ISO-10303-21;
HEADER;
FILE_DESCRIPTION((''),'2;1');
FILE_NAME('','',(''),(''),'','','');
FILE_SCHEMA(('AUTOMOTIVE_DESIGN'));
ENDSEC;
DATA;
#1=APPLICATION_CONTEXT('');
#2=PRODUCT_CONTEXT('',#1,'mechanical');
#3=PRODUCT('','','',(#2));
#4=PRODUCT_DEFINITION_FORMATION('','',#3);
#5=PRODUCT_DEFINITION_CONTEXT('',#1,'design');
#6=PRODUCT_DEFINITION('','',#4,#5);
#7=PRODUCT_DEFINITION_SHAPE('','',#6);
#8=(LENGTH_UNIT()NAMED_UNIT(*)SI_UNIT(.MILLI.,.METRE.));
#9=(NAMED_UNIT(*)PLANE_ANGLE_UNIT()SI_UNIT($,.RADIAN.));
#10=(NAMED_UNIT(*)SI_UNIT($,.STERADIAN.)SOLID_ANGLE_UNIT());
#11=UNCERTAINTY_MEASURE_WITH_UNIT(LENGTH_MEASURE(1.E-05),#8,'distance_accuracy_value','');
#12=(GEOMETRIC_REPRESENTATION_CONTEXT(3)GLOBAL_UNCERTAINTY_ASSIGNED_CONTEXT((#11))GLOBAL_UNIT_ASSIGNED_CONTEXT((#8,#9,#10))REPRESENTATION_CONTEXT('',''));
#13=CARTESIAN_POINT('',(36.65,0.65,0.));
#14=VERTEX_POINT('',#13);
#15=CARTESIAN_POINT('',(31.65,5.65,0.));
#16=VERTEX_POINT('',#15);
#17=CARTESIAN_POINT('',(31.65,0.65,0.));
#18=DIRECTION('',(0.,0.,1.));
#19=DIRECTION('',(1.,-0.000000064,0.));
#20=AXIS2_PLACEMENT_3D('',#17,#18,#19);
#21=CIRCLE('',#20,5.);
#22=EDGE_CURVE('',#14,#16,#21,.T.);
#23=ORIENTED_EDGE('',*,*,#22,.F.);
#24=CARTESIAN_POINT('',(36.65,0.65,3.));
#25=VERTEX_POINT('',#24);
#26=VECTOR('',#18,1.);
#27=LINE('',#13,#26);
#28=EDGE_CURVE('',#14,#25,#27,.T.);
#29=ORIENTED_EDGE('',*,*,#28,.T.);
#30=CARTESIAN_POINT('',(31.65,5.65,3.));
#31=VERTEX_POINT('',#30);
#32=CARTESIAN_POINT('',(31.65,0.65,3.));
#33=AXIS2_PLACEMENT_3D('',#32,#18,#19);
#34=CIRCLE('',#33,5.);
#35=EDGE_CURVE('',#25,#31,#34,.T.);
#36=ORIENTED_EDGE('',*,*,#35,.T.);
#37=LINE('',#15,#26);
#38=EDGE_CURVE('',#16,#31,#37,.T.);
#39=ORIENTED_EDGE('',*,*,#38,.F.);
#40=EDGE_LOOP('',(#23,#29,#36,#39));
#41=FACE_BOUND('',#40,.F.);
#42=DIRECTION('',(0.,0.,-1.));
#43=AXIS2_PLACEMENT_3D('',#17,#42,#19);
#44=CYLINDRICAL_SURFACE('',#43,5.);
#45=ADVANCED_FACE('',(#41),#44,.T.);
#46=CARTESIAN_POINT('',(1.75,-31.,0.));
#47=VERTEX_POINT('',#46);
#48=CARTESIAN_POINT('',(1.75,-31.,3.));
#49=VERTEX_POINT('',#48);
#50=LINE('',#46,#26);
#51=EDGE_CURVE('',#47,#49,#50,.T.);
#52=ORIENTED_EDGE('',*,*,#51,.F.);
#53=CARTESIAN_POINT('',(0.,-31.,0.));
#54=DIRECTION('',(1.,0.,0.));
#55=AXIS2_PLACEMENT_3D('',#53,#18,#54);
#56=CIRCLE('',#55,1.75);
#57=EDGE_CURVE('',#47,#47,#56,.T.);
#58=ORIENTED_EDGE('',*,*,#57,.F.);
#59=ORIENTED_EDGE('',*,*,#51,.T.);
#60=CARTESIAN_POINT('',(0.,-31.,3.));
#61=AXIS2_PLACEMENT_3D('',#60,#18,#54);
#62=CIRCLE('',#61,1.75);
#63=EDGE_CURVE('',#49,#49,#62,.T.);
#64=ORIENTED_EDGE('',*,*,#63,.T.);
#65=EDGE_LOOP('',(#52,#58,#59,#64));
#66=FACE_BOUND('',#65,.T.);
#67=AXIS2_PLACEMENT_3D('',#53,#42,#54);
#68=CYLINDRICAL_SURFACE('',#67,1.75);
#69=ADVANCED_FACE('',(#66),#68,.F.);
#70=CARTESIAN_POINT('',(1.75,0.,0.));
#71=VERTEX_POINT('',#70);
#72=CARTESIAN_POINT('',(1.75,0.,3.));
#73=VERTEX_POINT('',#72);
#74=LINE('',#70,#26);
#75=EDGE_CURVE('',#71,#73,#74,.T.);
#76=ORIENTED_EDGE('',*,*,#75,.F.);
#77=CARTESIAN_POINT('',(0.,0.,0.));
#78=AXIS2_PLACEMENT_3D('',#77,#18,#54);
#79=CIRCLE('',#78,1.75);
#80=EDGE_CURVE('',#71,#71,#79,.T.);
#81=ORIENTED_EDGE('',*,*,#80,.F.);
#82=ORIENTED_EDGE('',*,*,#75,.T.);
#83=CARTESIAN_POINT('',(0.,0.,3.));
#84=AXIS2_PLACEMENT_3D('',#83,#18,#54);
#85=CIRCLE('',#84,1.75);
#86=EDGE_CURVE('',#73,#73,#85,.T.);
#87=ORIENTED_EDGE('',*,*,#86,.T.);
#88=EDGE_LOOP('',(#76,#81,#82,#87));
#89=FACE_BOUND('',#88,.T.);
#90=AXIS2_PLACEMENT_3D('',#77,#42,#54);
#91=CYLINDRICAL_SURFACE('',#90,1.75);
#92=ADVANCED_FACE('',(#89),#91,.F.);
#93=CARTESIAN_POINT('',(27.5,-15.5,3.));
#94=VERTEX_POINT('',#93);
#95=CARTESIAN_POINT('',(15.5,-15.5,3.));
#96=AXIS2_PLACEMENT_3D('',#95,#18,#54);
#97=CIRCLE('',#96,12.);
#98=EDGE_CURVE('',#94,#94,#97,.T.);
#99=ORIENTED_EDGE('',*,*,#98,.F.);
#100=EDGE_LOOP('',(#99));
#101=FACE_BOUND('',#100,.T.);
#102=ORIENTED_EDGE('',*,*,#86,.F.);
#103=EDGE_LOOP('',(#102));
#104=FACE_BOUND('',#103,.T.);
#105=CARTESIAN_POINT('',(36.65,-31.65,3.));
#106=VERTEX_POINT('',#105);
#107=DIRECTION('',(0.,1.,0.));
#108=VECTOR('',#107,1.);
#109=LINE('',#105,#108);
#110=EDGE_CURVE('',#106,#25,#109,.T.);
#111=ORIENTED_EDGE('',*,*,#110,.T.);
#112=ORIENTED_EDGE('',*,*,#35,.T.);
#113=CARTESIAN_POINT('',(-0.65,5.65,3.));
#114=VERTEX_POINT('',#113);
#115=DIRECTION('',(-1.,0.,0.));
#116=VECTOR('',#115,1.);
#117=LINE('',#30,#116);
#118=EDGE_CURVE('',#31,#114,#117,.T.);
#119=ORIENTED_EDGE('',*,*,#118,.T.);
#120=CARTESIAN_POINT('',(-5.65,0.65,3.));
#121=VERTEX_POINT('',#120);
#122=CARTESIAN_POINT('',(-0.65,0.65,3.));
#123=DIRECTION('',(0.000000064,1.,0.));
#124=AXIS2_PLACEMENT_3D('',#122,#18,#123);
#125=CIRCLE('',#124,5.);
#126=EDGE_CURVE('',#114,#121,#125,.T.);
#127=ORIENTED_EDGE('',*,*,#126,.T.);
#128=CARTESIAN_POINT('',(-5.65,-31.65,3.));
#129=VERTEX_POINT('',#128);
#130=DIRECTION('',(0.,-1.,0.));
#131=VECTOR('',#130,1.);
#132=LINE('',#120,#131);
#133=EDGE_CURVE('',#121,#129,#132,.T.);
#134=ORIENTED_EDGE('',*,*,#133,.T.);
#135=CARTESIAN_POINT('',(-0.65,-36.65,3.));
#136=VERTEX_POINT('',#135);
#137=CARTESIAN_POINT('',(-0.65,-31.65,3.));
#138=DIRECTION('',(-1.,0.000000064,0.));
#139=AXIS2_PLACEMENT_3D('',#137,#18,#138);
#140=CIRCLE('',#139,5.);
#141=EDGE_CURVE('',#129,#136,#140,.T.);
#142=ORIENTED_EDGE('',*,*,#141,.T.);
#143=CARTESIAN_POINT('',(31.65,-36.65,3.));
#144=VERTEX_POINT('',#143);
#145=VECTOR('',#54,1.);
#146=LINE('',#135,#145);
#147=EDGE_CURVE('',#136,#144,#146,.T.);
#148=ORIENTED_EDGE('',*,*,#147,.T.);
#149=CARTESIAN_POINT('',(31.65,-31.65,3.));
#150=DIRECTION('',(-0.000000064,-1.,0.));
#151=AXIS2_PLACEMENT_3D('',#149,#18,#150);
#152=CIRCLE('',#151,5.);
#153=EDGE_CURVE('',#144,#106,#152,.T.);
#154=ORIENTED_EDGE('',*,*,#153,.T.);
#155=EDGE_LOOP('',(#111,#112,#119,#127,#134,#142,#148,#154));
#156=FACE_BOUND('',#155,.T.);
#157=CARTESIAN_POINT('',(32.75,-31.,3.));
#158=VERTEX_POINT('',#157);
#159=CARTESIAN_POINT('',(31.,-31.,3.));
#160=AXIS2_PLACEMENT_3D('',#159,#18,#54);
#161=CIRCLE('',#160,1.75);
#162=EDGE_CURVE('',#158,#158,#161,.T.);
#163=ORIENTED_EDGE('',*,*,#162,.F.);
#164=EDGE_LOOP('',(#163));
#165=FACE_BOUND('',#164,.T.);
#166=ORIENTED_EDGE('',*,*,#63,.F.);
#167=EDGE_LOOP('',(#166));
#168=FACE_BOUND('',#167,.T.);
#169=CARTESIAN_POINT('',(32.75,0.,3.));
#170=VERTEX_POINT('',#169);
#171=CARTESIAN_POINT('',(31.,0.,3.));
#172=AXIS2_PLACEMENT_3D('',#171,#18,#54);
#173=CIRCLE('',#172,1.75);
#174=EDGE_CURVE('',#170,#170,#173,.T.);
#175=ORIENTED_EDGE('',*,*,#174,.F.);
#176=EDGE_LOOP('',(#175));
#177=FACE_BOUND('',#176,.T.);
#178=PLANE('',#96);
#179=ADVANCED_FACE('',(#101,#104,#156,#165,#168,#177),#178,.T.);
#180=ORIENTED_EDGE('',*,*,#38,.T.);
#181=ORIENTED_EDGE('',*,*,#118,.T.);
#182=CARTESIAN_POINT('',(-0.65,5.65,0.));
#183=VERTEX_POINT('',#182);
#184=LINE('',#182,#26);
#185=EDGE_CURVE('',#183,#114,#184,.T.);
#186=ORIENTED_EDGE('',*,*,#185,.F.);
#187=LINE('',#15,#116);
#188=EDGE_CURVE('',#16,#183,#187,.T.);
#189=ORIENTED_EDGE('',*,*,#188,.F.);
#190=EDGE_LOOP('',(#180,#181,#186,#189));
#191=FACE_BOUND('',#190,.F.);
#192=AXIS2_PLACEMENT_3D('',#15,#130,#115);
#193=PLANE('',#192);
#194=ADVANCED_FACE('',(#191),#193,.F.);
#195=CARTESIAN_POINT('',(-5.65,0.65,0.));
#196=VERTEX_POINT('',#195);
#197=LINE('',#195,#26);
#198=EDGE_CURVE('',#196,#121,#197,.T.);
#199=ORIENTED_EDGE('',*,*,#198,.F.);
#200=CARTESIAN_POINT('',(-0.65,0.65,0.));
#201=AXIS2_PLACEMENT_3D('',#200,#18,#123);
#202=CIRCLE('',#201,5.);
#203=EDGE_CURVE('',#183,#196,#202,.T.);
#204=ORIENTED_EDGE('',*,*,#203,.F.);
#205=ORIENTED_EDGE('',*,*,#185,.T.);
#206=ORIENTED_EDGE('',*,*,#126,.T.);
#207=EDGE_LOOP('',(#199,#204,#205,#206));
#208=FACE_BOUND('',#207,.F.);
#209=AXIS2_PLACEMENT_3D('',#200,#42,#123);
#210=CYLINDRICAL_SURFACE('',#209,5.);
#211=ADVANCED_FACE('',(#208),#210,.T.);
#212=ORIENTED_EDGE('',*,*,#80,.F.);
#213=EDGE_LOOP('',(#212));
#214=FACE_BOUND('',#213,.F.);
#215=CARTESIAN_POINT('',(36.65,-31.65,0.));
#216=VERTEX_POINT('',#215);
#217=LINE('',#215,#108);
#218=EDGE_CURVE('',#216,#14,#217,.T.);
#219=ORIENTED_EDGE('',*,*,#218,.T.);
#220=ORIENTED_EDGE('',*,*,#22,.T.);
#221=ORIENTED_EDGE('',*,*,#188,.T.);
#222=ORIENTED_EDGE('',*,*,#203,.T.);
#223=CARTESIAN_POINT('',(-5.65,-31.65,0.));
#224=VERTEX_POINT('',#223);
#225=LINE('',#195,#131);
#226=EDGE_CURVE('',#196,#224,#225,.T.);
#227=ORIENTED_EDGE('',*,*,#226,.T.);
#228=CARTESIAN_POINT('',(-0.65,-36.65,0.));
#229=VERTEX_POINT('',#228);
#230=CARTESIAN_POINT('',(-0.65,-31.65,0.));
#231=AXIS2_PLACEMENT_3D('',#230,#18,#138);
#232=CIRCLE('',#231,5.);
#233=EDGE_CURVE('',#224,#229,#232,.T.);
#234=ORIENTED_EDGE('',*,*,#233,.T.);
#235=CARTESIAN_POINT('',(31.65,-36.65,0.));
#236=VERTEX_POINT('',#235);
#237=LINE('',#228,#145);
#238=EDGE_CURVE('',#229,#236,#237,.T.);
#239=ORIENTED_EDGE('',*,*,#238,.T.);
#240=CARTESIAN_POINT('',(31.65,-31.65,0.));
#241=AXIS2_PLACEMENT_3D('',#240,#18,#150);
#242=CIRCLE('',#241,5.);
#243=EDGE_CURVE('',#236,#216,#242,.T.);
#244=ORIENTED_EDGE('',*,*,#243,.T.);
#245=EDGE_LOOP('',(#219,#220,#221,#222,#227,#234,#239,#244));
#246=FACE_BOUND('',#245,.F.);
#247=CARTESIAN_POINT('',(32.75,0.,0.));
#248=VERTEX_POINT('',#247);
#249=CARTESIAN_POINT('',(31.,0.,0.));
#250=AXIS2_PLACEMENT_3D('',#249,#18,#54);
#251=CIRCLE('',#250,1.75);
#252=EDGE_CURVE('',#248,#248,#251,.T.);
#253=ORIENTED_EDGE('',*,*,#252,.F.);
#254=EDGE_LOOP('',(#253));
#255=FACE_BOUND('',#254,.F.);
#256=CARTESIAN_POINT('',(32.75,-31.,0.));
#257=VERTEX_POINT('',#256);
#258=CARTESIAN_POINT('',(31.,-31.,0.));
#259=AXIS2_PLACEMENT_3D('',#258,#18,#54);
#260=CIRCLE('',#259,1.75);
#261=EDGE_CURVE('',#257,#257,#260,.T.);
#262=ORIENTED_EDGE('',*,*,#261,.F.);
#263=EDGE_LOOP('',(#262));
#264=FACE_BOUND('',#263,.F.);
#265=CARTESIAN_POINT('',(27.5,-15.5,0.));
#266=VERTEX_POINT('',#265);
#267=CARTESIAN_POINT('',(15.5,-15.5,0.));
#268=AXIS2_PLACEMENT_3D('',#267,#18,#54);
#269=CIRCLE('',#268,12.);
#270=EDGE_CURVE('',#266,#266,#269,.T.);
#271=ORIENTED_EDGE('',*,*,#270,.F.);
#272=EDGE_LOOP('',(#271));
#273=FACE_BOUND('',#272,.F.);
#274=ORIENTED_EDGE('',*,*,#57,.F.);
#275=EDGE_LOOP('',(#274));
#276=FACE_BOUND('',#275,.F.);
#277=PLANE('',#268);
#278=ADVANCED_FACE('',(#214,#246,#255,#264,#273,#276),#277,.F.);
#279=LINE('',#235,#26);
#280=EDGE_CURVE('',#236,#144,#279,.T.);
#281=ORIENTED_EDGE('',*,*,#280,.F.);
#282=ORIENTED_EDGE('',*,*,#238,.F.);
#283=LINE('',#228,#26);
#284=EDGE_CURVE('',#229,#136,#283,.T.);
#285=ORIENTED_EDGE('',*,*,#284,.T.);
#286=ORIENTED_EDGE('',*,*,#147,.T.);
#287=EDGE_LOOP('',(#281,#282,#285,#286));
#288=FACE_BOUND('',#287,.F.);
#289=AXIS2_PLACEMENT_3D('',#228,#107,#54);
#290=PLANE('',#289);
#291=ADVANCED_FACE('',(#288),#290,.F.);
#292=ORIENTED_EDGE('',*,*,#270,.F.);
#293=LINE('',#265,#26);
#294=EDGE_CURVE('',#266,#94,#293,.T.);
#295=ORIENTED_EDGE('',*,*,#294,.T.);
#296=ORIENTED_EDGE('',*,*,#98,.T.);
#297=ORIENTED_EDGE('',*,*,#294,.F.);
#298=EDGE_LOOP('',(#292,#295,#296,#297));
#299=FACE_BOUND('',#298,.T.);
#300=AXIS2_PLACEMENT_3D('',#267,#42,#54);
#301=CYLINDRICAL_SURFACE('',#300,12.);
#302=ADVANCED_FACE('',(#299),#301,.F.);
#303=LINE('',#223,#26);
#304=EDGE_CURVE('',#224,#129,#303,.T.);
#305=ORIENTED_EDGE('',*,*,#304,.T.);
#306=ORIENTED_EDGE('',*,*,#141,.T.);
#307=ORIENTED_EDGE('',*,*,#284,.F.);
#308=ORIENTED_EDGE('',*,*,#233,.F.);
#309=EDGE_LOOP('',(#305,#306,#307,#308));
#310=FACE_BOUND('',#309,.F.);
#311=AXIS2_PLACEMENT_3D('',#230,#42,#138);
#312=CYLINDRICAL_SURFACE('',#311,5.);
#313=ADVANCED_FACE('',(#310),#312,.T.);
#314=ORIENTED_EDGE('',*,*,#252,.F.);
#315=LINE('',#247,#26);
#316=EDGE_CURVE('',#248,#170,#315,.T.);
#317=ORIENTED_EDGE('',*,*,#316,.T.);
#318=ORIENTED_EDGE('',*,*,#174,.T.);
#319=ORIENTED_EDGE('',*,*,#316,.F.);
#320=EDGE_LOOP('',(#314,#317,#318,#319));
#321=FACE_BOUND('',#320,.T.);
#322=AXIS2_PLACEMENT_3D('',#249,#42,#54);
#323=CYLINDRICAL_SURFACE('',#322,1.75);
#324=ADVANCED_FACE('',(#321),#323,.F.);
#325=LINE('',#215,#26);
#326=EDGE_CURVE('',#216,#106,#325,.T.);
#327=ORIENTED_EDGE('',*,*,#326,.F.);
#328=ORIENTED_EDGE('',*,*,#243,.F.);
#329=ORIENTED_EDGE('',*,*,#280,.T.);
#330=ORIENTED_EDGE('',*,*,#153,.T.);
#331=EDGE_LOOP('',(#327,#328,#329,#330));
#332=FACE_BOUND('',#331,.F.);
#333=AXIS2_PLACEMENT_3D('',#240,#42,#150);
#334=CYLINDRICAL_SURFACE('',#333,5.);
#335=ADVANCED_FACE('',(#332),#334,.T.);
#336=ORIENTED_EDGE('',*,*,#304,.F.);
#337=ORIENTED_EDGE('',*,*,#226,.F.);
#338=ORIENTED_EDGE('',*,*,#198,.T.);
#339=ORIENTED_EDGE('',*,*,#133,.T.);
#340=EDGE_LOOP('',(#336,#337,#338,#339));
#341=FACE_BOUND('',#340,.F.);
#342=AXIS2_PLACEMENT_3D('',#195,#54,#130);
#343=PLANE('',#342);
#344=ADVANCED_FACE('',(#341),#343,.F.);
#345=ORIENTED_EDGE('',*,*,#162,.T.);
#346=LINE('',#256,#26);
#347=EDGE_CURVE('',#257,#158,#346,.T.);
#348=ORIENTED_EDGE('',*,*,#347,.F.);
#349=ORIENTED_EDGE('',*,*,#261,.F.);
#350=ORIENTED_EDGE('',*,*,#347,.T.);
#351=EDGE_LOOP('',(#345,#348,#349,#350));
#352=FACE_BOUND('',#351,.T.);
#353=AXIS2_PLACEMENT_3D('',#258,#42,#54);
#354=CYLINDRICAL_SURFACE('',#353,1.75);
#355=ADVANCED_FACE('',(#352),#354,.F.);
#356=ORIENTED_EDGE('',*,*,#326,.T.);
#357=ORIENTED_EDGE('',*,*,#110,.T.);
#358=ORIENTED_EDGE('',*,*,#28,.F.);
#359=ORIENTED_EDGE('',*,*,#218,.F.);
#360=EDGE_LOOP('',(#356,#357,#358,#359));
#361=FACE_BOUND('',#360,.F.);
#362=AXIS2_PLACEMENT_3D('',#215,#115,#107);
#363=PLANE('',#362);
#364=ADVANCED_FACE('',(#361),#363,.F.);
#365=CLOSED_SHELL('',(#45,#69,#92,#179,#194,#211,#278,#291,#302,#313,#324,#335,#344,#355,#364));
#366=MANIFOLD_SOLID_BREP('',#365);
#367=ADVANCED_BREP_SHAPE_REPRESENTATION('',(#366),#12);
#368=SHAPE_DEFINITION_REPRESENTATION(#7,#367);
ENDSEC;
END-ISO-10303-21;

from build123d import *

# Parameters (mm, degrees)
F0_R     = 1.75
F0_R_2   = 12
F1_DEPTH = 3


with BuildPart() as f1:
    # F0 (on Top) → F1 (new body)
    with BuildSketch(Plane.XY):
        with BuildLine():
            Line((31.65, 5.65), (-0.65, 5.65))
            ThreePointArc((-0.65, 5.65), (-4.185534, 4.185534), (-5.65, 0.65))
            Line((-5.65, 0.65), (-5.65, -31.65))
            ThreePointArc((-5.65, -31.65), (-4.185534, -35.185534), (-0.65, -36.65))
            Line((-0.65, -36.65), (31.65, -36.65))
            ThreePointArc((31.65, -36.65), (35.185534, -35.185534), (36.65, -31.65))
            Line((36.65, -31.65), (36.65, 0.65))
            ThreePointArc((36.65, 0.65), (35.185534, 4.185534), (31.65, 5.65))
        make_face()
        with Locations((0, -31)):
            Circle(F0_R, mode=Mode.SUBTRACT)
        with Locations((31, -31)):
            Circle(F0_R, mode=Mode.SUBTRACT)
        Circle(F0_R, mode=Mode.SUBTRACT)
        with Locations((15.5, -15.5)):
            Circle(F0_R_2, mode=Mode.SUBTRACT)
        with Locations((31, 0)):
            Circle(F0_R, mode=Mode.SUBTRACT)
    extrude(amount=F1_DEPTH)


solid = f1.part
